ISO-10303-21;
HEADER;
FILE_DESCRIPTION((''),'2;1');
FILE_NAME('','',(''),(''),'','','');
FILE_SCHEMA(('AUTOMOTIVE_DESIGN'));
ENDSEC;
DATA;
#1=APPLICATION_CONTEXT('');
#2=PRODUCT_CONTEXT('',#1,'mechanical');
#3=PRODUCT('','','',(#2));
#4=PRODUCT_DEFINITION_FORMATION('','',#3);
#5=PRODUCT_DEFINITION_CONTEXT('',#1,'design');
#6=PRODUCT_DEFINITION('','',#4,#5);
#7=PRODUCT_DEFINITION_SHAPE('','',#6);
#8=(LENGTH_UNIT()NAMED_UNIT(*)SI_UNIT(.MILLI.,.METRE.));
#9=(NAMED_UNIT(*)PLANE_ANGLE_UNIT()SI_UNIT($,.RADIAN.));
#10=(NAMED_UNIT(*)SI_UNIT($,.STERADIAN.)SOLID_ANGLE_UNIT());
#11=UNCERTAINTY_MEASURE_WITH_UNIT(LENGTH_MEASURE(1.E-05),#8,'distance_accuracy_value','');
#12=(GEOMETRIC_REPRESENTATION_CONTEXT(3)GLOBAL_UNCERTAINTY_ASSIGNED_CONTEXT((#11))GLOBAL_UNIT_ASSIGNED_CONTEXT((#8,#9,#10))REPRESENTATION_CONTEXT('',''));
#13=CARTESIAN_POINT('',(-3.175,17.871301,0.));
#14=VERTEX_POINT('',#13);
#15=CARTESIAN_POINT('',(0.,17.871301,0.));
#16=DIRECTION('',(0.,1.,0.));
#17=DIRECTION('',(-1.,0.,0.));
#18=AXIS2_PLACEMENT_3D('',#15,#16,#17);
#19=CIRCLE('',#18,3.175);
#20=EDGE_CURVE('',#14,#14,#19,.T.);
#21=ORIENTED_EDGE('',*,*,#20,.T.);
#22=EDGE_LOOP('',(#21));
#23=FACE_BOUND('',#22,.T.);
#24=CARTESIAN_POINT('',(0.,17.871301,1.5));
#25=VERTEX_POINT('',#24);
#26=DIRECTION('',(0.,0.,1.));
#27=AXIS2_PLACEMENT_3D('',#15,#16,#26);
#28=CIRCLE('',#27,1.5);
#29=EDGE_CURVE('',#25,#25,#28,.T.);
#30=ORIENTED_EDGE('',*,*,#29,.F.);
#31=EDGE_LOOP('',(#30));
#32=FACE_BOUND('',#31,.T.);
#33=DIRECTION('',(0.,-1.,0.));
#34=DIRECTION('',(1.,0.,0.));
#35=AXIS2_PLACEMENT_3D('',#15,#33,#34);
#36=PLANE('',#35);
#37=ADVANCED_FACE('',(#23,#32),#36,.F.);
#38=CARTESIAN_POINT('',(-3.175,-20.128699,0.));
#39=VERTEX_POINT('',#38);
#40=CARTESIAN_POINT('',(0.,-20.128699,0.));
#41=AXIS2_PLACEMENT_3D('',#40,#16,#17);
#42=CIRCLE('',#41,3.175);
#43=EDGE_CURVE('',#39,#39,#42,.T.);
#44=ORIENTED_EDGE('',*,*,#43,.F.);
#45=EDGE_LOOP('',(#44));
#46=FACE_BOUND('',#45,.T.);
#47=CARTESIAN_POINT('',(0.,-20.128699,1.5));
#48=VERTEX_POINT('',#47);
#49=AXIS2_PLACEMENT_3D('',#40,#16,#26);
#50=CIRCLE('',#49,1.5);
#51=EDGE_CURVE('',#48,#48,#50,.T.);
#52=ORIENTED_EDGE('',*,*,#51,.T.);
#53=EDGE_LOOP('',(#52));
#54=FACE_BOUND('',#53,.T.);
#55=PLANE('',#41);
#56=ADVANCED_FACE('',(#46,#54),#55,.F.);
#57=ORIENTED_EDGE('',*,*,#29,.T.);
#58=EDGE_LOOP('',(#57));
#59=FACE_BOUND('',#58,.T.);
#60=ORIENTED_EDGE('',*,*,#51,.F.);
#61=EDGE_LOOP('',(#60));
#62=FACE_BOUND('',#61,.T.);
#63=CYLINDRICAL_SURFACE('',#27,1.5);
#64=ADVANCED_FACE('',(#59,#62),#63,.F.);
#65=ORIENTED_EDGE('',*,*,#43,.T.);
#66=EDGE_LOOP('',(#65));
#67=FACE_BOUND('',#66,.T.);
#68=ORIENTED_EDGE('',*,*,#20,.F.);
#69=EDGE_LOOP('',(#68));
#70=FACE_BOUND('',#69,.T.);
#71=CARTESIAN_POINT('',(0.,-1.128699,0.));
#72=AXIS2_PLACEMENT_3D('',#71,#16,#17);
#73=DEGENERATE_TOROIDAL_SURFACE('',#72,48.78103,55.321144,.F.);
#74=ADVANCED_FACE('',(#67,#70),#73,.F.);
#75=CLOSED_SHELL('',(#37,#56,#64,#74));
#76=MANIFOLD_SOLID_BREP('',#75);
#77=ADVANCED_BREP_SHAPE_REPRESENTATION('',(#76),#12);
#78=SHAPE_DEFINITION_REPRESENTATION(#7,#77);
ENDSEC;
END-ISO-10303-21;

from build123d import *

# Parameters (mm, degrees)
F_3_0MM_DOWEL_HOLE1_D = 3


with BuildPart() as part:
    # Sketch1 → Revolve1 (revolve)
    with BuildSketch(Plane.XY):
        with BuildLine():
            Line((0, 17.871301358), (3.175, 17.871301358))
            ThreePointArc((3.175, 17.871301358), (6.540114752, -1.128698642), (3.175, -20.128698642))
            Line((3.175, -20.128698642), (0, -20.128698642))
            Line((0, -20.128698642), (0, 17.871301358))
        make_face()
    revolve(axis=Axis((0, 17.871301358, 0), (0, -1, 0)))

    # Ø3.0mm Dowel Hole1 (through all)
    with Locations(Plane(origin=(0, 17.871301358, 0), x_dir=(1, 0, 0), z_dir=(0, 1, 0))):
        with Locations((0, 0)):
            Hole(F_3_0MM_DOWEL_HOLE1_D / 2)


solid = part.part
